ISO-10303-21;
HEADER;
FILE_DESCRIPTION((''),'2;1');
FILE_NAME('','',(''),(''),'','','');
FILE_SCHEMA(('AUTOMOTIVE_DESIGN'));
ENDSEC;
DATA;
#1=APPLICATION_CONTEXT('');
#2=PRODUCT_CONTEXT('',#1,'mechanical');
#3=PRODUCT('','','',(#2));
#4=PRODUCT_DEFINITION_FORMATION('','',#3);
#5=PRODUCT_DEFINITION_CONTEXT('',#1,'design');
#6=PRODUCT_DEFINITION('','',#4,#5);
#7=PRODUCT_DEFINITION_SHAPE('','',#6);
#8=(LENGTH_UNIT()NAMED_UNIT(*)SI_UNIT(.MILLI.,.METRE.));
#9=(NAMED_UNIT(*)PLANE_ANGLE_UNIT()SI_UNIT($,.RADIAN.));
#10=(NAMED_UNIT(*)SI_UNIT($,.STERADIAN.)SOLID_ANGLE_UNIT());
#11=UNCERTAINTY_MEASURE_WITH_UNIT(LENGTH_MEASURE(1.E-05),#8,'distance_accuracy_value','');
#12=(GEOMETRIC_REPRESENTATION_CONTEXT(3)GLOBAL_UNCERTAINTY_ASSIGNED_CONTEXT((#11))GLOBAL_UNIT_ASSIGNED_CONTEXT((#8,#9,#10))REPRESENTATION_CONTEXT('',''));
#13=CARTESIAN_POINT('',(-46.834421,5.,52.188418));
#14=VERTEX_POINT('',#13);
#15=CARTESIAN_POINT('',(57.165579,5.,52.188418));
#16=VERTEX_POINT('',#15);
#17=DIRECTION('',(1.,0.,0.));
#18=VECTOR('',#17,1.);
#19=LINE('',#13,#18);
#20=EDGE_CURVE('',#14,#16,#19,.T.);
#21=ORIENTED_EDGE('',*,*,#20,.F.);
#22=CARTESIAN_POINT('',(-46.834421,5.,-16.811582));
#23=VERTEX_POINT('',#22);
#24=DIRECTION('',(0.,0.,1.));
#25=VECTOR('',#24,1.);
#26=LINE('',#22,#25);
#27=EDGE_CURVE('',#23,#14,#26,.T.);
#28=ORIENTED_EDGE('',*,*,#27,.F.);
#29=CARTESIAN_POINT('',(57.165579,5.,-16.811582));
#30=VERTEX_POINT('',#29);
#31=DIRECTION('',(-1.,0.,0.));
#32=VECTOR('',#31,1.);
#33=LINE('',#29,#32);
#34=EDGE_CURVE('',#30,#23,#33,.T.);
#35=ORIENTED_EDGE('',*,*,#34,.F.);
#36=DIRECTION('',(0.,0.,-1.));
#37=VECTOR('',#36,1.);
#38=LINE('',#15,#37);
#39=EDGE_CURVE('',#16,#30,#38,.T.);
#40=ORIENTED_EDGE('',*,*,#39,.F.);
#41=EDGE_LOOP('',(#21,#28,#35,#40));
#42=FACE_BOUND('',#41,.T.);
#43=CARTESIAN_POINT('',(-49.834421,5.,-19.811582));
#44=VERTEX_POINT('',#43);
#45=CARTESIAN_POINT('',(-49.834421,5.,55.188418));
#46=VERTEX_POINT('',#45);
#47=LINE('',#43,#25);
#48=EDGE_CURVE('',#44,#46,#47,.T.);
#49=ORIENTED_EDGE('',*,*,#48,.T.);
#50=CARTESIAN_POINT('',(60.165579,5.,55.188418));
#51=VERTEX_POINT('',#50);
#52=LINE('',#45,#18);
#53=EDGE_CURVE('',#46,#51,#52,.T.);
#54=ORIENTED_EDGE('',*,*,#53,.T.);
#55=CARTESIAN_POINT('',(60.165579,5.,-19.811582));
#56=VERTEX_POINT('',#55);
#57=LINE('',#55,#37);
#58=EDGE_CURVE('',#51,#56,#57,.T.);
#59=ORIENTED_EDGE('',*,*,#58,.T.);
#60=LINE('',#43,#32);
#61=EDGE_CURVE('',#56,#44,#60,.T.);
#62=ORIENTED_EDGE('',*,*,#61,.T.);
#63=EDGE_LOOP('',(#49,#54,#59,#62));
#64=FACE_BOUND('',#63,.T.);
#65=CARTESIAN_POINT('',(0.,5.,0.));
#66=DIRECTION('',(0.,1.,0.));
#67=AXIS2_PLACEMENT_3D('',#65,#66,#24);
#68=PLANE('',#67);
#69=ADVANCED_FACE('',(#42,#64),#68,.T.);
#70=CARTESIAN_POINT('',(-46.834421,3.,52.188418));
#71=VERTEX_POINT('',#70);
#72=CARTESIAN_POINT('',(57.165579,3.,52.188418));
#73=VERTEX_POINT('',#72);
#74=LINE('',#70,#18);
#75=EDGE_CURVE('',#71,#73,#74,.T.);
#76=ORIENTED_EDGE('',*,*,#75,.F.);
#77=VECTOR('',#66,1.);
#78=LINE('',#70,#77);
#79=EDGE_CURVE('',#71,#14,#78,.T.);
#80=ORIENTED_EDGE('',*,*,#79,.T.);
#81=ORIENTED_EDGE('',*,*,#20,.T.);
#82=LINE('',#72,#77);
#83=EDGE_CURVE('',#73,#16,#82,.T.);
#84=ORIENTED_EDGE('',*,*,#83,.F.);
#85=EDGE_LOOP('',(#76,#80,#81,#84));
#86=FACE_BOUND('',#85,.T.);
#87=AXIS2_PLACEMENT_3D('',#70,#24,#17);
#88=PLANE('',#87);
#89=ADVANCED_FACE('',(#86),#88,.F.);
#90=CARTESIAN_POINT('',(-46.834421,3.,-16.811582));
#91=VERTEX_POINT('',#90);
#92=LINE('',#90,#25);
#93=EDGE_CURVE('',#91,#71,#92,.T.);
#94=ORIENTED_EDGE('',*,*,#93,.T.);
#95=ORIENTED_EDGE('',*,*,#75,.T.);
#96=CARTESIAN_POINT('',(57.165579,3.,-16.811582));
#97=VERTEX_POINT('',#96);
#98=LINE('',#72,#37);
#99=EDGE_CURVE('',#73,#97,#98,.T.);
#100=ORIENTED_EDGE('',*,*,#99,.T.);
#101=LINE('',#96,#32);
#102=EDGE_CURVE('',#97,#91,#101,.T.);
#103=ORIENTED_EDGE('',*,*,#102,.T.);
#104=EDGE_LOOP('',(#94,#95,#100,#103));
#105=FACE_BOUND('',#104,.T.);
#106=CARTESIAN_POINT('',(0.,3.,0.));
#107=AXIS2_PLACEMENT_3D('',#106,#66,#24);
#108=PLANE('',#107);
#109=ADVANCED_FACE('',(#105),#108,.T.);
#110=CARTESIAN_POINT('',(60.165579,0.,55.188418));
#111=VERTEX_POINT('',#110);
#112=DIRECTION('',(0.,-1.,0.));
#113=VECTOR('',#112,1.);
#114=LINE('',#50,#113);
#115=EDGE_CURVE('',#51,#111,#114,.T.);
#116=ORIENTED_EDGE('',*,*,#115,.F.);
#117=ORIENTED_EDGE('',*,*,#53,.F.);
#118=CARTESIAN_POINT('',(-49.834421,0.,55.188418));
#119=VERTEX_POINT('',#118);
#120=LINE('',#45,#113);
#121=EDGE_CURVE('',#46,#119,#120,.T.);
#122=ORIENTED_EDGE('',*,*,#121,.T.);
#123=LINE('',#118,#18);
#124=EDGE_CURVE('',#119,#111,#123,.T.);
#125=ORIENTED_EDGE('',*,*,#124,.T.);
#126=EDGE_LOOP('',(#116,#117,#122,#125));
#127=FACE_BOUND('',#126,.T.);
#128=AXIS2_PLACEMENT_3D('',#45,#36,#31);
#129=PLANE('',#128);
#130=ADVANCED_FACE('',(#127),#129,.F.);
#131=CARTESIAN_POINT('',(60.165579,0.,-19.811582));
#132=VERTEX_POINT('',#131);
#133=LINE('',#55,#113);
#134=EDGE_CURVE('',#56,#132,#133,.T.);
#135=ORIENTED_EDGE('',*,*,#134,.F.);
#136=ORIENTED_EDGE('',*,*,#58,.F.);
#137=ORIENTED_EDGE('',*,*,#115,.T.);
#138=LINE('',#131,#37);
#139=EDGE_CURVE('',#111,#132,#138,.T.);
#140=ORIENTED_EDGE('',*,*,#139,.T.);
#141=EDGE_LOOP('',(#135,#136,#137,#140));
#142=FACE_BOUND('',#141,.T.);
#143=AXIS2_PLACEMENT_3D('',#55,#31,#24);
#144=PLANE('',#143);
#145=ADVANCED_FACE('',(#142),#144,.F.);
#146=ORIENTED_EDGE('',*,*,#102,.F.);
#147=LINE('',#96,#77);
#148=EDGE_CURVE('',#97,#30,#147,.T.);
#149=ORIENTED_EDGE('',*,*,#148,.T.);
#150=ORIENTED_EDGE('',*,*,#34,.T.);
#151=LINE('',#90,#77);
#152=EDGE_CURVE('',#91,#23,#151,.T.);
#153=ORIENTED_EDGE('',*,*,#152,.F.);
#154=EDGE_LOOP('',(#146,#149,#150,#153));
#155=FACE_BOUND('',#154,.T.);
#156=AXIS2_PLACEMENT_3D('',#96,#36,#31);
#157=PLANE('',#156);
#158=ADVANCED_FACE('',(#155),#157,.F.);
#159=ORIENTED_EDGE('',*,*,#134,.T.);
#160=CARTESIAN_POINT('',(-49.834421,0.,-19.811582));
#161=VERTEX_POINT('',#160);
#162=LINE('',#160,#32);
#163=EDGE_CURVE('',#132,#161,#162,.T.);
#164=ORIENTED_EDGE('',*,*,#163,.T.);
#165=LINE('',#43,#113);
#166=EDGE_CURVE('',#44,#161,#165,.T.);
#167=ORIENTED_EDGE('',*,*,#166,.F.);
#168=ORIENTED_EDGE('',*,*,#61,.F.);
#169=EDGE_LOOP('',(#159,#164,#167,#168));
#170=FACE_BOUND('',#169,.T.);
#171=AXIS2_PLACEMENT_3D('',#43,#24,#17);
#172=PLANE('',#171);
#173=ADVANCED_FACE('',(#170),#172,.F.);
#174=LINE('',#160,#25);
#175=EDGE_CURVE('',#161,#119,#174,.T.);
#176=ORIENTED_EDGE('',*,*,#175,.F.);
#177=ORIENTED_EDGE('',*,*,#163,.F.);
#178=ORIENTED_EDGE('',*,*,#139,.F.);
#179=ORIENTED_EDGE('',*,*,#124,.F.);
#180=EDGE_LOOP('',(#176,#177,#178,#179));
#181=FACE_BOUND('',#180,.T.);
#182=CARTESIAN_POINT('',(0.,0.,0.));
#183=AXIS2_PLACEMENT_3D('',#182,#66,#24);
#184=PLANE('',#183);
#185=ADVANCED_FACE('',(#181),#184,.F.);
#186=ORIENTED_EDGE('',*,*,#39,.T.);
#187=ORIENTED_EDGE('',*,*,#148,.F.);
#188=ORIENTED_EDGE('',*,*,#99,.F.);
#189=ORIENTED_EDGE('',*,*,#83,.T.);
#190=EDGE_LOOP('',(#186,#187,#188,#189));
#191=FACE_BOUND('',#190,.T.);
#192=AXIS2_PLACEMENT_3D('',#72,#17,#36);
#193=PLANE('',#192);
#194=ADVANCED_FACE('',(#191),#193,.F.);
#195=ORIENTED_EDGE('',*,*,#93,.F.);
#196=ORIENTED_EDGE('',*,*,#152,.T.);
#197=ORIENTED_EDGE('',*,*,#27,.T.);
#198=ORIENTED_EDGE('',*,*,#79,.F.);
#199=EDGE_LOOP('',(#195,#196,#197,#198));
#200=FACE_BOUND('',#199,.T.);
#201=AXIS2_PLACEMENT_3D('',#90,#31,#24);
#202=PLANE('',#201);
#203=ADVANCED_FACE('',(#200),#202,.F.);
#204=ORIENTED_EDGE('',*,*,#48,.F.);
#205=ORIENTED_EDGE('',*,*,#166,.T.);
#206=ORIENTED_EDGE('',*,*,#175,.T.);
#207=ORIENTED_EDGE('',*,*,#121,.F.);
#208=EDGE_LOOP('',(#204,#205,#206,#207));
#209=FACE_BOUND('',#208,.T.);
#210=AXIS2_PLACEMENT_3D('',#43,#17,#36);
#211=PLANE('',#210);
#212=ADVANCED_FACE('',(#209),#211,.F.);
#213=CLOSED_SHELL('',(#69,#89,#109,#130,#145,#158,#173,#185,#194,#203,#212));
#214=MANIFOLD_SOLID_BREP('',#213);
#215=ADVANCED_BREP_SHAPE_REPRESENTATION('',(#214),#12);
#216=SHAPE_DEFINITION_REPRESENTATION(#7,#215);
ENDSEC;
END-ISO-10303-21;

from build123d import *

# Parameters (mm, degrees)
SKETCH1_W           = 110
SKETCH1_H           = 75
BOSS_EXTRUDE1_DEPTH = 5
SKETCH2_W           = 104
SKETCH2_H           = 69
CUT_EXTRUDE1_DEPTH  = 2


with BuildPart() as part:
    # Sketch1 → Boss-Extrude1 (new body)
    with BuildSketch(Plane(origin=(0, 0, 0), x_dir=(1, 0, 0), z_dir=(0, 1, 0))):
        with Locations((5.165579119, -17.688417618)):
            Rectangle(SKETCH1_W, SKETCH1_H)
    extrude(amount=BOSS_EXTRUDE1_DEPTH)

    # Sketch2 → Cut-Extrude1 (cut)
    with BuildSketch(Plane(origin=(0, 5, 0), x_dir=(1, 0, 0), z_dir=(0, 1, 0))):
        with Locations((5.165579119, -17.688417618)):
            Rectangle(SKETCH2_W, SKETCH2_H)
    extrude(amount=-CUT_EXTRUDE1_DEPTH, mode=Mode.SUBTRACT)


solid = part.part
